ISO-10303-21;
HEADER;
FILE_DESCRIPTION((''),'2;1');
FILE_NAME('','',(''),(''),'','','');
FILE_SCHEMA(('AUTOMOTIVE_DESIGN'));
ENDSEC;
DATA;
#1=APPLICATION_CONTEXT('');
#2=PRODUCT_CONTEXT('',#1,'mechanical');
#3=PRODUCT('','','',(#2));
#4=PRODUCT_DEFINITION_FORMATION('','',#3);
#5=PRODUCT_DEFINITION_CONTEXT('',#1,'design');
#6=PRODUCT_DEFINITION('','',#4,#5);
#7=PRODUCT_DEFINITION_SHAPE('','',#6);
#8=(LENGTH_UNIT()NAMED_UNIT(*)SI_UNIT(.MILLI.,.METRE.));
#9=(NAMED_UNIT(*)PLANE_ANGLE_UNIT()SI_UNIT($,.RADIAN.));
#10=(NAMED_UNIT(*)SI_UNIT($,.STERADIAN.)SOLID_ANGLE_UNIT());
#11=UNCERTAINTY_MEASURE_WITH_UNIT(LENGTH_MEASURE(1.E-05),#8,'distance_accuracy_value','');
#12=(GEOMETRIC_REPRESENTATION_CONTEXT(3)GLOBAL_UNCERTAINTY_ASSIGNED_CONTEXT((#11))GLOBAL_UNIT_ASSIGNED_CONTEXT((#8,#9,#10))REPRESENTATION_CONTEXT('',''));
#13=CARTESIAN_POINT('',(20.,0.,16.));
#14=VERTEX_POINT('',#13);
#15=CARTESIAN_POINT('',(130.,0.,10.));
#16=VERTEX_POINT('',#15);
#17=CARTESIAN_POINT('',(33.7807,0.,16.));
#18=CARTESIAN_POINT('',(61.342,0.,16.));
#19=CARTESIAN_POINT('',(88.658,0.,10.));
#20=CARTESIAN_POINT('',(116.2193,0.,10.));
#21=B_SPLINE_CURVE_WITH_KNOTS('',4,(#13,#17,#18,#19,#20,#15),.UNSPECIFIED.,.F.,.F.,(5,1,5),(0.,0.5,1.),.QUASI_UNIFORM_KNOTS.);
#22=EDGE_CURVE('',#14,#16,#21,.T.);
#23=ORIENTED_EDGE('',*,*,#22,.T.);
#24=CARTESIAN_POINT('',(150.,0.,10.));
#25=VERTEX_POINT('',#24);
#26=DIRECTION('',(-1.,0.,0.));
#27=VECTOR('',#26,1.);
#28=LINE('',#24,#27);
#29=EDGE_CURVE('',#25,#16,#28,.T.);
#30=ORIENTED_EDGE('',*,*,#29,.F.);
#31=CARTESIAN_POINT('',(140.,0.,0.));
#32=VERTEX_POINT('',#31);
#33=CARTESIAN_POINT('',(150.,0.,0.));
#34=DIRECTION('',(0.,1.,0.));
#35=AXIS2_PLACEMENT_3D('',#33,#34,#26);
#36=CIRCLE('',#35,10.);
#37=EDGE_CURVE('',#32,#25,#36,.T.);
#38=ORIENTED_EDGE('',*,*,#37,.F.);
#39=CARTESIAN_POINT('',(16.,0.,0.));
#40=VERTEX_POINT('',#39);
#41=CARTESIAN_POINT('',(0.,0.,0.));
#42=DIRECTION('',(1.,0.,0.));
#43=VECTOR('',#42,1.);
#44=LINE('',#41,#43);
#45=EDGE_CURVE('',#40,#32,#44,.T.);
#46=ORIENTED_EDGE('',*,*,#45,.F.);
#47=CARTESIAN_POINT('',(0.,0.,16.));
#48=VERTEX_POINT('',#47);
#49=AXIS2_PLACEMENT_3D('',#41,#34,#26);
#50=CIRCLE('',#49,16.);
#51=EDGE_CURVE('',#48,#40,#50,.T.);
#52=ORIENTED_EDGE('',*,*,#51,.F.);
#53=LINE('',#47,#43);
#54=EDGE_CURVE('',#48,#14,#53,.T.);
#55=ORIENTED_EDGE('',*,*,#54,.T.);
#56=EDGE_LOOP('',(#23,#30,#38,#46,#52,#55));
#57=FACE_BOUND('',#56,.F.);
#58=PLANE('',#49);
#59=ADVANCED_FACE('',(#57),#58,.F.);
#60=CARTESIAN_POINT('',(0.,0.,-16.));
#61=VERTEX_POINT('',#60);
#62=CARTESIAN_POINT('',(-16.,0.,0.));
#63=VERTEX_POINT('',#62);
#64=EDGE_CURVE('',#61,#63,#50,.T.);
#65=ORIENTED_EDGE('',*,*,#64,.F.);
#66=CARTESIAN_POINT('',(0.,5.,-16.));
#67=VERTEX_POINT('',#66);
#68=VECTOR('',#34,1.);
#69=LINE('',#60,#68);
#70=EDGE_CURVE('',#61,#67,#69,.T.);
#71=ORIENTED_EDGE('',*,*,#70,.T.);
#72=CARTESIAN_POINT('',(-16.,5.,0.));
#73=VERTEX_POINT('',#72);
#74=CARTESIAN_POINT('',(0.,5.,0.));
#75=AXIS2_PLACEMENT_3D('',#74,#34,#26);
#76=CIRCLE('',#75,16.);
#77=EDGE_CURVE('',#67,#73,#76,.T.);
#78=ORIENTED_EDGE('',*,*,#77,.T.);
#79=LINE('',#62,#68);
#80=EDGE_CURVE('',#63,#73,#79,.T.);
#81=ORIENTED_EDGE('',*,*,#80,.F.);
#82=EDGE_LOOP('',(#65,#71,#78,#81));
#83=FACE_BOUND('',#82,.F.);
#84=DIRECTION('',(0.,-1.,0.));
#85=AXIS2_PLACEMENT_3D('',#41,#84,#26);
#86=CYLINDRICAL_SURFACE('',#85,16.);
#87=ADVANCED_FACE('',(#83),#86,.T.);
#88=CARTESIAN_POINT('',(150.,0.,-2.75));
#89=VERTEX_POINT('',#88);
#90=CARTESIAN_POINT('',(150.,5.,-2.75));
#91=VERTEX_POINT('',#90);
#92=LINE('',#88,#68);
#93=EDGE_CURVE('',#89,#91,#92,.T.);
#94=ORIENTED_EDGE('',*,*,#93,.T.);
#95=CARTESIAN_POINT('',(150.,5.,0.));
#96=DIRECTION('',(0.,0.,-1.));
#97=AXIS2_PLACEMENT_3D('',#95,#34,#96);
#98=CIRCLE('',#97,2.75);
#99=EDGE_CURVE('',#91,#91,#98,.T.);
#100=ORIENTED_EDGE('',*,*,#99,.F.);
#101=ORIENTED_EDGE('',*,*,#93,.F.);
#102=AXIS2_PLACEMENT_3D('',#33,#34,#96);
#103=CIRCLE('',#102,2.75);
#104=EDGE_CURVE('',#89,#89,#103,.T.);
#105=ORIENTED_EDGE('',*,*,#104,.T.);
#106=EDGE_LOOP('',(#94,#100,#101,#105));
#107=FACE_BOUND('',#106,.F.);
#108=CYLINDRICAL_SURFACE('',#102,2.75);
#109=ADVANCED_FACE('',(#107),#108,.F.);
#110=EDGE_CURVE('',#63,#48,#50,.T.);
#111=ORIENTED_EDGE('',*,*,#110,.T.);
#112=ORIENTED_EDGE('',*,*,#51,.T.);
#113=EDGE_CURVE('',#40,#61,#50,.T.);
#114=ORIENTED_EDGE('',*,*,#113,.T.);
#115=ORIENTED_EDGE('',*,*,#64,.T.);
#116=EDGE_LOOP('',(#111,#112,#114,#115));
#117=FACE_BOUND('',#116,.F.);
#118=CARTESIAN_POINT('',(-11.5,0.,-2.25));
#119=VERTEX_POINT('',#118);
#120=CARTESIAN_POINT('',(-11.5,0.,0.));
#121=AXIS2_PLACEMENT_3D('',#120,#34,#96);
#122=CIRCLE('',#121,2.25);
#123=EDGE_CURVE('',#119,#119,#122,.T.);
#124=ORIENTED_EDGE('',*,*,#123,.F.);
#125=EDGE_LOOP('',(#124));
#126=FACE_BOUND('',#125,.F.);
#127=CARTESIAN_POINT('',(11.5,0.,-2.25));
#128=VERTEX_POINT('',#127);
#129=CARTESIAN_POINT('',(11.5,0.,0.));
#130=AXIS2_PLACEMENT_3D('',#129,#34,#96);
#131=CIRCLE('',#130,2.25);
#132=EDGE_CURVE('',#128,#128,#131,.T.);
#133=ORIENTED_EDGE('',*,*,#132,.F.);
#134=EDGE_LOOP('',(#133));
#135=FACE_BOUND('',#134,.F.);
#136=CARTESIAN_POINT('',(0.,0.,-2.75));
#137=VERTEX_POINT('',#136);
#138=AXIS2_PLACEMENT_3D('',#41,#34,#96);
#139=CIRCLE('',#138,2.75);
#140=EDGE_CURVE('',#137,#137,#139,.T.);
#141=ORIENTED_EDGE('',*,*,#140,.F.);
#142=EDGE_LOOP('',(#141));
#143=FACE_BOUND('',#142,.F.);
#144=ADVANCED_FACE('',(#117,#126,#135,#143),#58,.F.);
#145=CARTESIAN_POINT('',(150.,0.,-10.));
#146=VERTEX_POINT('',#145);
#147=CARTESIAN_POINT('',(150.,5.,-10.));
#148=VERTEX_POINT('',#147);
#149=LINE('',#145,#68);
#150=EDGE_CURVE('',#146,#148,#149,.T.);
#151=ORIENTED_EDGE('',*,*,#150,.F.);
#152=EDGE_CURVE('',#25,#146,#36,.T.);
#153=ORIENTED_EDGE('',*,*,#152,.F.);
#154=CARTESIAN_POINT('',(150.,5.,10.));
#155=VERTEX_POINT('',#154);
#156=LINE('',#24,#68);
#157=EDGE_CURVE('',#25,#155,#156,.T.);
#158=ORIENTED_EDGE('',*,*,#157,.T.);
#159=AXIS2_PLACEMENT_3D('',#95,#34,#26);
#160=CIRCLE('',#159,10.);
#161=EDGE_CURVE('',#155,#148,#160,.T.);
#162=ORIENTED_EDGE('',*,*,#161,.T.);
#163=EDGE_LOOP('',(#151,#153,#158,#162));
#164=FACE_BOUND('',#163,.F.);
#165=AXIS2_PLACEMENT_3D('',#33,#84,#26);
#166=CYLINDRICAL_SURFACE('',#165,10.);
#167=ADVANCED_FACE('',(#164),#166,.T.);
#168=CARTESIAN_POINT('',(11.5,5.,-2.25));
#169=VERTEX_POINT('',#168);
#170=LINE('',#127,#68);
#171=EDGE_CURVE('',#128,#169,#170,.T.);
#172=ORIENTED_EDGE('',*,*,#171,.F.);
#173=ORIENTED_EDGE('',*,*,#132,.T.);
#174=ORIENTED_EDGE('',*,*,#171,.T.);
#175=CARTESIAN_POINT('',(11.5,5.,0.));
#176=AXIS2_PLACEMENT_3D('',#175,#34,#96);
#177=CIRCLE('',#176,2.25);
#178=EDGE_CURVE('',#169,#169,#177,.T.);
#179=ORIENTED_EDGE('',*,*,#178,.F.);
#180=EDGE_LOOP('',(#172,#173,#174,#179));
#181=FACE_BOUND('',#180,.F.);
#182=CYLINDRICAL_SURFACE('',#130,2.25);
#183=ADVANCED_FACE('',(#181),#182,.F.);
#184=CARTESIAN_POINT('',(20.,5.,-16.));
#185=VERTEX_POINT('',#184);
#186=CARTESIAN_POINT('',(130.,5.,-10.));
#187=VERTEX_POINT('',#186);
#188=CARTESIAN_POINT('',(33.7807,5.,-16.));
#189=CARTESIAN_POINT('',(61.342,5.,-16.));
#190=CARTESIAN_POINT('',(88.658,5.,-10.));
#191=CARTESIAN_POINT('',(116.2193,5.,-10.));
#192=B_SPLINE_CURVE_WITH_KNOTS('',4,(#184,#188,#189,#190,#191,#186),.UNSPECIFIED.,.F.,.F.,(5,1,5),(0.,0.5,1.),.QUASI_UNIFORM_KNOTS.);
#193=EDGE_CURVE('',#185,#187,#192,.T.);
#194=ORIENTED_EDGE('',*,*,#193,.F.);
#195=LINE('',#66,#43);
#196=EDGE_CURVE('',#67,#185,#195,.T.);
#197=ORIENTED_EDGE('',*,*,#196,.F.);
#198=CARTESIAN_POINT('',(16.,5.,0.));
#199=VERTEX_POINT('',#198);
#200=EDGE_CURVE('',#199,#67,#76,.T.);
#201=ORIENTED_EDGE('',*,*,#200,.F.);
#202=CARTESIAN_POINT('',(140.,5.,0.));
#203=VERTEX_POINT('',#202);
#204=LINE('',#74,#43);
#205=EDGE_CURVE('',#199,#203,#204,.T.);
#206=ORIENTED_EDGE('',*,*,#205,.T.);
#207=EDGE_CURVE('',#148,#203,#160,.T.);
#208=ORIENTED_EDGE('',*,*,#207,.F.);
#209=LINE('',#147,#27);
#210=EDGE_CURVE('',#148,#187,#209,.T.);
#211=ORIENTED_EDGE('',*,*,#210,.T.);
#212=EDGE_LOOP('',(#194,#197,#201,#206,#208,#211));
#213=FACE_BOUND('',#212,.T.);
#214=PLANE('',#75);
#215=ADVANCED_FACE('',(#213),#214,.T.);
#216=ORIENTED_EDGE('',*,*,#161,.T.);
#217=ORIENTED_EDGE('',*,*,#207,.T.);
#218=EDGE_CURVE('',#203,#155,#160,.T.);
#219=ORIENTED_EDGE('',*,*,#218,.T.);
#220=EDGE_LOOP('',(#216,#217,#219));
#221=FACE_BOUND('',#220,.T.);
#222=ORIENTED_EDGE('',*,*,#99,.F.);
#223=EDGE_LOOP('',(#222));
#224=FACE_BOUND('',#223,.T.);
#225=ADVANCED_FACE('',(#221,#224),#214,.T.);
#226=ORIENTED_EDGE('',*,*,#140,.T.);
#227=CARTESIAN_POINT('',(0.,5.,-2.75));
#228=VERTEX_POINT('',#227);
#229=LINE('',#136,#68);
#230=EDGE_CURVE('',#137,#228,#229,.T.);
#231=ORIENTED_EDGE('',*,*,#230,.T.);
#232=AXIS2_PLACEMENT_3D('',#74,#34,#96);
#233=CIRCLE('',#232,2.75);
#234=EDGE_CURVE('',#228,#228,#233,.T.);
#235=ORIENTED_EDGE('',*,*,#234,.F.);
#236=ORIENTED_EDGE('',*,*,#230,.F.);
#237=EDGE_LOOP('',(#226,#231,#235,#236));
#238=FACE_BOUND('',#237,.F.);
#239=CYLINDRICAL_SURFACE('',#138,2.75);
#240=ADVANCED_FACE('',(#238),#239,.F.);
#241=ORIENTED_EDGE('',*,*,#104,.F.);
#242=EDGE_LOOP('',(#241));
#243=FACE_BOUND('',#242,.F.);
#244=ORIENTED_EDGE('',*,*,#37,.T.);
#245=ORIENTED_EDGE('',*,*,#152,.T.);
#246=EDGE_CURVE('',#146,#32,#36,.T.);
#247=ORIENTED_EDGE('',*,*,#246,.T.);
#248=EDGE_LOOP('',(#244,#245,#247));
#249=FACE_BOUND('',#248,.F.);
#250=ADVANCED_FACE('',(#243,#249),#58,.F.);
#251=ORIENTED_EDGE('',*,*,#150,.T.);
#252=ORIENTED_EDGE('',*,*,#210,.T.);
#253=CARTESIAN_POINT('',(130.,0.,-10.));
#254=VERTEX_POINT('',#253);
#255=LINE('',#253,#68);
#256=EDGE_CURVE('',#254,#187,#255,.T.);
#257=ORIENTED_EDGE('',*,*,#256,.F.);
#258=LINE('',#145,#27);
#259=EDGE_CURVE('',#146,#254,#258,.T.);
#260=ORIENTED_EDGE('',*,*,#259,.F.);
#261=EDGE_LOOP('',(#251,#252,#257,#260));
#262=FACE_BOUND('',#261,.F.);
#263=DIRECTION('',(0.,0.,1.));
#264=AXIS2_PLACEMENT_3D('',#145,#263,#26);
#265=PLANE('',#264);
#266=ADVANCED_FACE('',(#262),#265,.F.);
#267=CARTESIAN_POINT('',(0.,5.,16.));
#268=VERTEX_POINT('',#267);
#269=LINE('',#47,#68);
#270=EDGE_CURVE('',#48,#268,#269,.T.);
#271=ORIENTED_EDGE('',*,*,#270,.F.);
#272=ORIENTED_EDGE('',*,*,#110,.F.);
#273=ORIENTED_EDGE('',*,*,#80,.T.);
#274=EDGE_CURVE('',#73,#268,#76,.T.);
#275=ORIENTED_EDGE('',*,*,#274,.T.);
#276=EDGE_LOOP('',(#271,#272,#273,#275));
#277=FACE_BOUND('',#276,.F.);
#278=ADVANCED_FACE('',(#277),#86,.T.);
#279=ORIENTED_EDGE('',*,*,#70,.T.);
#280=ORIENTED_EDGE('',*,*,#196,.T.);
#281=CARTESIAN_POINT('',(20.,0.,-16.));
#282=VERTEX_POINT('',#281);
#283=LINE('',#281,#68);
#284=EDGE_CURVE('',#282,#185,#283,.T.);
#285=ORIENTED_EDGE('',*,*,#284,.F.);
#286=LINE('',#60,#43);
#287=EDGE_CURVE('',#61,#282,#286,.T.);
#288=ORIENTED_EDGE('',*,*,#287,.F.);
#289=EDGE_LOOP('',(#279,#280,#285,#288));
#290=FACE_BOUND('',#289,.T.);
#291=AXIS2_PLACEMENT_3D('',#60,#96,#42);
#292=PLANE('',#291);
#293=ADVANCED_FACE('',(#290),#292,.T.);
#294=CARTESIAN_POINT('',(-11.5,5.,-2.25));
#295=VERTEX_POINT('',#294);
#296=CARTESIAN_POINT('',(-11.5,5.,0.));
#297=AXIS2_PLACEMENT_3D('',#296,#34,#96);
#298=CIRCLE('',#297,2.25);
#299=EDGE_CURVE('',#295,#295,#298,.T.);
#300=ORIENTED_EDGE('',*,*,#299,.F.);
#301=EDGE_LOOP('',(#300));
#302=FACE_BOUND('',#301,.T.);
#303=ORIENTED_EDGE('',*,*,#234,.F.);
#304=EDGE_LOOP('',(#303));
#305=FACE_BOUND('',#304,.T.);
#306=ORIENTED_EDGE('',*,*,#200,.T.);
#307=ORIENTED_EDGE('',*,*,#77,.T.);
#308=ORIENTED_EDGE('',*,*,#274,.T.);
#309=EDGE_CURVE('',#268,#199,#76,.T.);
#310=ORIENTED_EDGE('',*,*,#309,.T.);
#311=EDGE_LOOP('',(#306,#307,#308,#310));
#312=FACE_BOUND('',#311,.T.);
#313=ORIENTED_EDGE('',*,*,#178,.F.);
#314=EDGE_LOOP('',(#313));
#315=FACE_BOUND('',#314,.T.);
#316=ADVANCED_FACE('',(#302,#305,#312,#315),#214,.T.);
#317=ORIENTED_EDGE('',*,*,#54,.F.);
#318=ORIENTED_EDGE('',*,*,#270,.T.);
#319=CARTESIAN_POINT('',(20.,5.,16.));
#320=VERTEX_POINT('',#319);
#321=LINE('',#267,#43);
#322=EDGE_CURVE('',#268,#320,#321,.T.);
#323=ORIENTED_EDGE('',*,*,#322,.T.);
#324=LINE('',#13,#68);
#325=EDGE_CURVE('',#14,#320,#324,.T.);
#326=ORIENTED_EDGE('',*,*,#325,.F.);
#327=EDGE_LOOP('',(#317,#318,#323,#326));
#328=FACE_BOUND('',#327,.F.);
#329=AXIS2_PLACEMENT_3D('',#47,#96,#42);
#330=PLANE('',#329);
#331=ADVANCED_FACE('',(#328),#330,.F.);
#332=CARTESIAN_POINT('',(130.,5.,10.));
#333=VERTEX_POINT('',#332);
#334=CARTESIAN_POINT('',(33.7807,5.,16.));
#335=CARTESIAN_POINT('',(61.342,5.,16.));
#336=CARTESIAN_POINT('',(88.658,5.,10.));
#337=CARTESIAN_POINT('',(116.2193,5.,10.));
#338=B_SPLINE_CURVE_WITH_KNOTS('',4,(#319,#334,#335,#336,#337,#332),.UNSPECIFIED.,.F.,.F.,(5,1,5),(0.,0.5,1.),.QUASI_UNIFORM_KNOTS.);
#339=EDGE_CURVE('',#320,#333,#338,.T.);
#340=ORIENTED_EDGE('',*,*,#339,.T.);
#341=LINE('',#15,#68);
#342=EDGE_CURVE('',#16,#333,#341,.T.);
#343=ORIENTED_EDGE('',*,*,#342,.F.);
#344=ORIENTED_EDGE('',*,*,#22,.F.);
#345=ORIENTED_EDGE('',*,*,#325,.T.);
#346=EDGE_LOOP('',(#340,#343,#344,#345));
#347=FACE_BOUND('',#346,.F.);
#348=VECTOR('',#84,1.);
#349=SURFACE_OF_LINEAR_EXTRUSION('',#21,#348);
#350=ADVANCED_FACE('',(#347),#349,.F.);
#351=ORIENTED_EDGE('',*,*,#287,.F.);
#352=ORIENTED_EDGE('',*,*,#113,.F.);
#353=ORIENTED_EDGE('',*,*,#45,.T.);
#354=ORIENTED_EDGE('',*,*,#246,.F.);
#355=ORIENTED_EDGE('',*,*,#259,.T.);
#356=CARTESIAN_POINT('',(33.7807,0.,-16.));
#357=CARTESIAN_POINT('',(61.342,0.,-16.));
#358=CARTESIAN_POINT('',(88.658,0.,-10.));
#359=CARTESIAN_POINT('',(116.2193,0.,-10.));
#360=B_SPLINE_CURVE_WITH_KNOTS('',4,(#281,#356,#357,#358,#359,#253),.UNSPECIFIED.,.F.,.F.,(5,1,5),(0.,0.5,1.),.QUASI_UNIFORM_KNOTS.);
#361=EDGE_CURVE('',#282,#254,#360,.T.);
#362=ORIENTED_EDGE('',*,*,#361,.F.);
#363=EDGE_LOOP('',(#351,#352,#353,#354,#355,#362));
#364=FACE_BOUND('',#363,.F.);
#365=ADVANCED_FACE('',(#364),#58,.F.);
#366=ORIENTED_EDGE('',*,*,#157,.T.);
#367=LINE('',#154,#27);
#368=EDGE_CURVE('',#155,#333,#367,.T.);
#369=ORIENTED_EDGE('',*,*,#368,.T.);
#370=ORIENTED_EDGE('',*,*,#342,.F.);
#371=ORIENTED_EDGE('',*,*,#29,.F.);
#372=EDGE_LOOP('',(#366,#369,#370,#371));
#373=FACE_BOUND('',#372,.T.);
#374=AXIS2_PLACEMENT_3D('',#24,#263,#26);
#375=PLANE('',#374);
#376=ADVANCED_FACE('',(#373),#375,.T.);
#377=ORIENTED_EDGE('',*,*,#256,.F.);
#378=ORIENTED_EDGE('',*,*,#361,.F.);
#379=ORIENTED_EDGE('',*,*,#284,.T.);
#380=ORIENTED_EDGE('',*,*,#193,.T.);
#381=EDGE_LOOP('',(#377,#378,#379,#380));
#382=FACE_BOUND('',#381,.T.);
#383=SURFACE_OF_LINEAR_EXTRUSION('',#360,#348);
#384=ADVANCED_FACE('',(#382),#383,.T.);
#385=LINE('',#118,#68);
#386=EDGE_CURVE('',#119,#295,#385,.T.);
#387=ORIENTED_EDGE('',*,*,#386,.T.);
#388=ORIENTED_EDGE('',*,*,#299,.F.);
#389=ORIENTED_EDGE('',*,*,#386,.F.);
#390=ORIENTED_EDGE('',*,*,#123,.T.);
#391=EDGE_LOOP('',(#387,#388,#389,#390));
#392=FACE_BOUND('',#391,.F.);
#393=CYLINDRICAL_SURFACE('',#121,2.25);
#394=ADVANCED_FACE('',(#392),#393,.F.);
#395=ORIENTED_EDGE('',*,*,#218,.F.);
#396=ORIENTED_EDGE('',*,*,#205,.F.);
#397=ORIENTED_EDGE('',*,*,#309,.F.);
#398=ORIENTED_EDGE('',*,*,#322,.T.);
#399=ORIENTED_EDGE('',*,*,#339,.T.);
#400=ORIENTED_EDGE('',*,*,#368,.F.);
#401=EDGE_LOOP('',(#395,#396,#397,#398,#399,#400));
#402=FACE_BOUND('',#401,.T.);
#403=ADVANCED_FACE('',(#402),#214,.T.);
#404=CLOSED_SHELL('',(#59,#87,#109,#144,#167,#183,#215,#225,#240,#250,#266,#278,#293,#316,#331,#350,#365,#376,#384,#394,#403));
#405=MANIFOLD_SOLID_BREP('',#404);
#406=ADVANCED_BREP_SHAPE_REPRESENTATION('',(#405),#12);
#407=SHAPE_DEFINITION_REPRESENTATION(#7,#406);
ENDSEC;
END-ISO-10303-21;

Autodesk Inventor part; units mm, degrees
ref_plane "YZ Plane" through (0, 0, 0) normal (1, 0, 0) x (0, 1, 0)
ref_plane "XZ Plane" through (0, 0, 0) normal (0, 1, 0) x (-1, 0, 0)
ref_plane "XY Plane" through (0, 0, 0) normal (0, 0, 1) x (1, 0, 0)
sketch "Sketch2" plane through (0, 0, 0) normal (0, 1, 0) x (-1, 0, 0)
  circle A0 centre (0, 0) radius 16
  circle A1 centre (-150, 0) radius 10
  line L0 (0, 0) -> (-150, 0)
  line L1 (0, 16) -> (-20, 16)
  line L2 (-150, 10) -> (-130, 10)
  spline S0 degree 4 poles (-20, 16) (-33.7807, 16) (-61.342, 16) (-88.658, 10) (-116.2193, 10) (-130, 10) knots 0 0 0 0 0 0.5 1 1 1 1 1
  line L3 (0, 0) -> (0, 16) construction
  line L4 (-150, 0) -> (-150, 10) construction
  line L5 (0, -16) -> (-20, -16)
  line L6 (-150, -10) -> (-130, -10)
  spline S1 degree 4 poles (-20, -16) (-33.7807, -16) (-61.342, -16) (-88.658, -10) (-116.2193, -10) (-130, -10) knots 0 0 0 0 0 0.5 1 1 1 1 1
  line L7 (11.5, 0) -> (-11.5, 0) construction
  dimension "d0" = 32
  dimension "d1" = 20
  dimension "d2" = 150
  dimension "d3" = 20
  dimension "d4" = 20
  dimension "d5" = 23
extrude "Extrusion1" add sketch "Sketch2" along normal blind 5
hole "Hole1" at (-11.5, 0, 0) at (11.5, 0, 0) direction (0, 1, 0) diameter 4.5 end through all clearance for "Socket Head Cap Screw" size "M4" standard "Ansi Metric M Profile"
hole "Hole2" at (150, 0, 0) at (0, 0, 0) direction (0, 1, 0) diameter 5.5 end through all clearance for "Socket Head Cap Screw" size "M5" standard "Ansi Metric M Profile"
